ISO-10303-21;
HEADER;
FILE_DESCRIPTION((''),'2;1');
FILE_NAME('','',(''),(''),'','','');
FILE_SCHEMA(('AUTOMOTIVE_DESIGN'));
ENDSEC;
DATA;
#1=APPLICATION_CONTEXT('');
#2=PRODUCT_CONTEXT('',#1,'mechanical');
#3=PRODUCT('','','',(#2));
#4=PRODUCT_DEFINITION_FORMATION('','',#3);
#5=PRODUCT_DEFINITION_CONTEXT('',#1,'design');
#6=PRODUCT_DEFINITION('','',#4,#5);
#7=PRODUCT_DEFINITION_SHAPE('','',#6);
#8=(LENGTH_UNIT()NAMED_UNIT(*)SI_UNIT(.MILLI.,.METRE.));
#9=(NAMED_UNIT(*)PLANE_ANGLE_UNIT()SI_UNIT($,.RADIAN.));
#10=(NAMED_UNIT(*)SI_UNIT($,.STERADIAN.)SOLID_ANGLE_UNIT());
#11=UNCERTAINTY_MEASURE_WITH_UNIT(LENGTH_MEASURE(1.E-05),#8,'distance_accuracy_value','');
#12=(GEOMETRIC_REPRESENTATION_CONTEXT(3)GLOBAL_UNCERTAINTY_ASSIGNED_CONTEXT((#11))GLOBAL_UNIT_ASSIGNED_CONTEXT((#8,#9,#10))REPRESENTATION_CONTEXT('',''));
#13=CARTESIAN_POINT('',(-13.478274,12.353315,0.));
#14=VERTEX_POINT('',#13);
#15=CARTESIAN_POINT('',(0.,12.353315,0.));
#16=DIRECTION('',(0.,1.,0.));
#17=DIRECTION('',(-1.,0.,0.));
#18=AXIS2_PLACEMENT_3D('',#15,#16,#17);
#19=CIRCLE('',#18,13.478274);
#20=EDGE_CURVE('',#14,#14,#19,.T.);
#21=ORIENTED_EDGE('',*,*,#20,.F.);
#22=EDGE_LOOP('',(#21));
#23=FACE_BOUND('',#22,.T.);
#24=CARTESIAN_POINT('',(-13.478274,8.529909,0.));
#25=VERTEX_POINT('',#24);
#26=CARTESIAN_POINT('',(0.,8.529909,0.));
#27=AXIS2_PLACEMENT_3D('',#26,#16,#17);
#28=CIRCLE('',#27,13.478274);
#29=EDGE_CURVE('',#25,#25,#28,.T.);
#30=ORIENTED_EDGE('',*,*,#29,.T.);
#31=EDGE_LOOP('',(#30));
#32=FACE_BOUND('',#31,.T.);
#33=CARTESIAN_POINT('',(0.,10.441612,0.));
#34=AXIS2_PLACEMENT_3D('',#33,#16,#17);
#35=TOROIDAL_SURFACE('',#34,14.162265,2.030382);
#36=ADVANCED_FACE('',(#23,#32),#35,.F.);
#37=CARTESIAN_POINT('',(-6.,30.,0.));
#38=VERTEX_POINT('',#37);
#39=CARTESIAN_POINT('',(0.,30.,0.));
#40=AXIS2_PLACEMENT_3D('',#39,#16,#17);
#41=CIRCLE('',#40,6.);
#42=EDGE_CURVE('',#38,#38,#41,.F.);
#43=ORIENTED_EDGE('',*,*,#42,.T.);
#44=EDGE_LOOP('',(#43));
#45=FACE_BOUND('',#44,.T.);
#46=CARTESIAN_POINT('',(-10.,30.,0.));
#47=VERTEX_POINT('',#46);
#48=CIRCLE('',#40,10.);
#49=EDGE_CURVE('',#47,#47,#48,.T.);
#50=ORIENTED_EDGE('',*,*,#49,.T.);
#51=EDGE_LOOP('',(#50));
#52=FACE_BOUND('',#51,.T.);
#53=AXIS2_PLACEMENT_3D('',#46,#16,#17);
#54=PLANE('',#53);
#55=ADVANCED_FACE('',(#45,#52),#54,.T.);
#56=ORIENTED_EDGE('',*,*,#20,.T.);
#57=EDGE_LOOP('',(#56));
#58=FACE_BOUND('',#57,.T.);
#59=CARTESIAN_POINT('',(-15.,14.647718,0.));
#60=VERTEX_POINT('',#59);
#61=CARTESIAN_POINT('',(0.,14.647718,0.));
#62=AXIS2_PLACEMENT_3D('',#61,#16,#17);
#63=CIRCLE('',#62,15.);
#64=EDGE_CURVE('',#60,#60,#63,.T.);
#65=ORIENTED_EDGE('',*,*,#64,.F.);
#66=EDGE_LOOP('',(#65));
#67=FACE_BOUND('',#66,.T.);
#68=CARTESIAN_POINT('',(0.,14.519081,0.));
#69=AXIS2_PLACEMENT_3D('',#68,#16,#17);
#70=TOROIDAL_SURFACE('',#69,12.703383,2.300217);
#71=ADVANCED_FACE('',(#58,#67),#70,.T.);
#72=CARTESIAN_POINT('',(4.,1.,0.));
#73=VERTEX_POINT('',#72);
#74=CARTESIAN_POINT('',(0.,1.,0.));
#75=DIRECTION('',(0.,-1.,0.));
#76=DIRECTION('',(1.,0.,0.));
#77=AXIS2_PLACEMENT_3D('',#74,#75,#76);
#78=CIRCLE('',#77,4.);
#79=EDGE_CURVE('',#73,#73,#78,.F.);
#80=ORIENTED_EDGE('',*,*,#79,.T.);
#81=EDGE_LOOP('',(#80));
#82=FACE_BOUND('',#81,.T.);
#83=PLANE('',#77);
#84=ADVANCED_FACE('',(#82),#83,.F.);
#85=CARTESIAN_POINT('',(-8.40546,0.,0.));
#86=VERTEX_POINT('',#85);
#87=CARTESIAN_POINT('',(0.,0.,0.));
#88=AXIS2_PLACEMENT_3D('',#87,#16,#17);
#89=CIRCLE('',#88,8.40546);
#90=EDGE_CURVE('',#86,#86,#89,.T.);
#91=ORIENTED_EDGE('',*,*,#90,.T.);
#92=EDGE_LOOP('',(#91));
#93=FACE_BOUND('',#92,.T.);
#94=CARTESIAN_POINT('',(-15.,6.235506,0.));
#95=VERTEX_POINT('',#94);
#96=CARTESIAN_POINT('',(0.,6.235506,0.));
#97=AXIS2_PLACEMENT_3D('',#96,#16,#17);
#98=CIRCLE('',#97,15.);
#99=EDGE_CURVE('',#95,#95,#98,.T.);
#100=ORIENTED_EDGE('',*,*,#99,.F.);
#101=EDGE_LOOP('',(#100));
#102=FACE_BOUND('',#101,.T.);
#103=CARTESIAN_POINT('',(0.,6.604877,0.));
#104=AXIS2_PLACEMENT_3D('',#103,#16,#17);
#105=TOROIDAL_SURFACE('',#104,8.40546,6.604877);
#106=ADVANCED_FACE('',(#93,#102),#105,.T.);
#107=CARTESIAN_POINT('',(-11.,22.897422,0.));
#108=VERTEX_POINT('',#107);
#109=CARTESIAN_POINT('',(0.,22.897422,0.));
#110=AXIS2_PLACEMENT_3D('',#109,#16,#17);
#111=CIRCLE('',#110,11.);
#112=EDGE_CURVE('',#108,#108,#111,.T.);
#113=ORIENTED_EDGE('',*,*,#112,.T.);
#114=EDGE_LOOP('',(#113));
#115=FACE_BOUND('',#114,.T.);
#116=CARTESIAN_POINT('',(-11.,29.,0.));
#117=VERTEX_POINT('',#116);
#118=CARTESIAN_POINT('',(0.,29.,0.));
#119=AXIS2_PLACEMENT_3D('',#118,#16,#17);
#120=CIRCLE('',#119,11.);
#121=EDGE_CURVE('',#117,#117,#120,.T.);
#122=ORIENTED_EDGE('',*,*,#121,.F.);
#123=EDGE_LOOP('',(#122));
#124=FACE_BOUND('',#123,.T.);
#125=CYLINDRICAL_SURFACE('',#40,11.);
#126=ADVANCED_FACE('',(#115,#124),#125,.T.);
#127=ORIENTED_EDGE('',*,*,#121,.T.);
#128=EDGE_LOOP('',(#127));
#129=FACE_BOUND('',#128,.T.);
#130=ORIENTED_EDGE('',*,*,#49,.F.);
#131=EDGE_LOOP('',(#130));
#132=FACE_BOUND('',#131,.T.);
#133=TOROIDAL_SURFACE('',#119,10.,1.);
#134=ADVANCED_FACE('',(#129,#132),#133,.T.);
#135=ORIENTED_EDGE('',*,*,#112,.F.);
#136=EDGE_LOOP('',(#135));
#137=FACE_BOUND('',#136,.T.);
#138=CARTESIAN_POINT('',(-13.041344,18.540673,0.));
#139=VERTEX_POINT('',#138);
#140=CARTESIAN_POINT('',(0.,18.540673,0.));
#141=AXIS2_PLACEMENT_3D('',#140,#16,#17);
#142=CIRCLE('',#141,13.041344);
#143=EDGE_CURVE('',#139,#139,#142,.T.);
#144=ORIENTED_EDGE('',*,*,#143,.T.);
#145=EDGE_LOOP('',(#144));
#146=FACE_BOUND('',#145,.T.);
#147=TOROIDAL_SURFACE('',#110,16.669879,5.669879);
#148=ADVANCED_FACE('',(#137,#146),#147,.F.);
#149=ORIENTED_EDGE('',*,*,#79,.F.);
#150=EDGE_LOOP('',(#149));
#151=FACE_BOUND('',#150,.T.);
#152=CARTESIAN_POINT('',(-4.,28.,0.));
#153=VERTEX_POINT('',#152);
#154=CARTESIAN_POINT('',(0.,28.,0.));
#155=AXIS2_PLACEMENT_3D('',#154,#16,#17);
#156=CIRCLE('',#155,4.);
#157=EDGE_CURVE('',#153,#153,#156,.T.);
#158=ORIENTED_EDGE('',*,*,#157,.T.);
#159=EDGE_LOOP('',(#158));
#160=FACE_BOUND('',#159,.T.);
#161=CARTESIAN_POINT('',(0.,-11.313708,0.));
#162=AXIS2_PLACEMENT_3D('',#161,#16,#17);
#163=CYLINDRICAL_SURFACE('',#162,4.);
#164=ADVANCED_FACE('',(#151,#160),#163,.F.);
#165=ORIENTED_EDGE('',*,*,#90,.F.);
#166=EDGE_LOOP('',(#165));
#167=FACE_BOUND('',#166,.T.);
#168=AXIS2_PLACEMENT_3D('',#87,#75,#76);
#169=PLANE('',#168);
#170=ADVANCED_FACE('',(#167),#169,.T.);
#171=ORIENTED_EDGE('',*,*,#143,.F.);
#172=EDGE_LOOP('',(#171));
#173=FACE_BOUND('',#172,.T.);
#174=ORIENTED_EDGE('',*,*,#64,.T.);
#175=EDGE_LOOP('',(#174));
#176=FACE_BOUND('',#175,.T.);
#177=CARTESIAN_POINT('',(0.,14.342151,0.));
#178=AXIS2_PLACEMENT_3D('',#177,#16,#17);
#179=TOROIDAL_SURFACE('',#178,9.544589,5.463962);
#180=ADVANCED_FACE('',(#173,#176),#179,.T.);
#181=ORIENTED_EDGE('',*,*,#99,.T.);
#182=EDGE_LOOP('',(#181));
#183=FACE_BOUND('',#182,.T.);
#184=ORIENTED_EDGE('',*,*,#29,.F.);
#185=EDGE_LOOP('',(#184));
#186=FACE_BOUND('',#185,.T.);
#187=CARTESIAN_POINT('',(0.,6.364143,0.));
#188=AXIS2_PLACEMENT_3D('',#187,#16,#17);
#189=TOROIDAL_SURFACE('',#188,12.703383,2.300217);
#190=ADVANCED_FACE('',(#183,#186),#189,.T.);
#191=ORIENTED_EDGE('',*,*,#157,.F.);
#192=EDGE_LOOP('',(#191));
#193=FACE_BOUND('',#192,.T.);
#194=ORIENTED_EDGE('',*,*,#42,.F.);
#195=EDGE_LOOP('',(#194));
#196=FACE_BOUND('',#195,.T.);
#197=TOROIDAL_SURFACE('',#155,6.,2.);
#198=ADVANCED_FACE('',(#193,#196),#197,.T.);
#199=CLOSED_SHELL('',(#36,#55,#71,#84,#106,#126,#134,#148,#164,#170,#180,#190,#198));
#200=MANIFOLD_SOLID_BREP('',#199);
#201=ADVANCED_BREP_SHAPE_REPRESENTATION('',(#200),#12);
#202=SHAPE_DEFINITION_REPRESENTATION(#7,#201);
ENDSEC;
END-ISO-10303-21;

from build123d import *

# Parameters (mm, degrees)
SKETCH3_R          = 4
CUT_EXTRUDE2_DEPTH = 29
FILLET2_R          = 2


with BuildPart() as part:
    # Sketch1 → Revolve1 (revolve)
    with BuildSketch(Plane.XY):
        with BuildLine():
            Line((0, 30), (0, 0))
            Line((0, 0), (-8.405459538, 0))
            ThreePointArc((-8.405459538, 0), (-12.943341762, 1.805707833), (-15, 6.235506106))
            ThreePointArc((-15, 6.235506106), (-14.620310768, 7.635514631), (-13.478274488, 8.529908793))
            ThreePointArc((-13.478274488, 8.529908793), (-12.131882597, 10.441611915), (-13.478274488, 12.353315036))
            ThreePointArc((-13.478274488, 12.353315036), (-14.620310768, 13.247709198), (-15, 14.647717723))
            ThreePointArc((-15, 14.647717723), (-14.425582197, 16.797917102), (-13.041344057, 18.540672952))
            ThreePointArc((-13.041344057, 18.540672952), (-11.535636992, 20.491785587), (-11, 22.897422154))
            Line((-11, 22.897422154), (-11, 29))
            ThreePointArc((-11, 29), (-10.707106781, 29.707106781), (-10, 30))
            Line((-10, 30), (0, 30))
        make_face()
    revolve(axis=Axis((0, 30, 0), (0, -1, 0)))

    # Sketch3 → Cut-Extrude2 (cut)
    with BuildSketch(Plane(origin=(0, 30, 0), x_dir=(1, 0, 0), z_dir=(0, 1, 0))):
        Circle(SKETCH3_R)
    extrude(amount=-CUT_EXTRUDE2_DEPTH, mode=Mode.SUBTRACT)

    # Fillet2
    fillet2_edges = [part.edges().sort_by_distance(p)[0] for p in [
        (-4, 30, 0),
    ]]
    fillet(fillet2_edges, radius=FILLET2_R)


solid = part.part
